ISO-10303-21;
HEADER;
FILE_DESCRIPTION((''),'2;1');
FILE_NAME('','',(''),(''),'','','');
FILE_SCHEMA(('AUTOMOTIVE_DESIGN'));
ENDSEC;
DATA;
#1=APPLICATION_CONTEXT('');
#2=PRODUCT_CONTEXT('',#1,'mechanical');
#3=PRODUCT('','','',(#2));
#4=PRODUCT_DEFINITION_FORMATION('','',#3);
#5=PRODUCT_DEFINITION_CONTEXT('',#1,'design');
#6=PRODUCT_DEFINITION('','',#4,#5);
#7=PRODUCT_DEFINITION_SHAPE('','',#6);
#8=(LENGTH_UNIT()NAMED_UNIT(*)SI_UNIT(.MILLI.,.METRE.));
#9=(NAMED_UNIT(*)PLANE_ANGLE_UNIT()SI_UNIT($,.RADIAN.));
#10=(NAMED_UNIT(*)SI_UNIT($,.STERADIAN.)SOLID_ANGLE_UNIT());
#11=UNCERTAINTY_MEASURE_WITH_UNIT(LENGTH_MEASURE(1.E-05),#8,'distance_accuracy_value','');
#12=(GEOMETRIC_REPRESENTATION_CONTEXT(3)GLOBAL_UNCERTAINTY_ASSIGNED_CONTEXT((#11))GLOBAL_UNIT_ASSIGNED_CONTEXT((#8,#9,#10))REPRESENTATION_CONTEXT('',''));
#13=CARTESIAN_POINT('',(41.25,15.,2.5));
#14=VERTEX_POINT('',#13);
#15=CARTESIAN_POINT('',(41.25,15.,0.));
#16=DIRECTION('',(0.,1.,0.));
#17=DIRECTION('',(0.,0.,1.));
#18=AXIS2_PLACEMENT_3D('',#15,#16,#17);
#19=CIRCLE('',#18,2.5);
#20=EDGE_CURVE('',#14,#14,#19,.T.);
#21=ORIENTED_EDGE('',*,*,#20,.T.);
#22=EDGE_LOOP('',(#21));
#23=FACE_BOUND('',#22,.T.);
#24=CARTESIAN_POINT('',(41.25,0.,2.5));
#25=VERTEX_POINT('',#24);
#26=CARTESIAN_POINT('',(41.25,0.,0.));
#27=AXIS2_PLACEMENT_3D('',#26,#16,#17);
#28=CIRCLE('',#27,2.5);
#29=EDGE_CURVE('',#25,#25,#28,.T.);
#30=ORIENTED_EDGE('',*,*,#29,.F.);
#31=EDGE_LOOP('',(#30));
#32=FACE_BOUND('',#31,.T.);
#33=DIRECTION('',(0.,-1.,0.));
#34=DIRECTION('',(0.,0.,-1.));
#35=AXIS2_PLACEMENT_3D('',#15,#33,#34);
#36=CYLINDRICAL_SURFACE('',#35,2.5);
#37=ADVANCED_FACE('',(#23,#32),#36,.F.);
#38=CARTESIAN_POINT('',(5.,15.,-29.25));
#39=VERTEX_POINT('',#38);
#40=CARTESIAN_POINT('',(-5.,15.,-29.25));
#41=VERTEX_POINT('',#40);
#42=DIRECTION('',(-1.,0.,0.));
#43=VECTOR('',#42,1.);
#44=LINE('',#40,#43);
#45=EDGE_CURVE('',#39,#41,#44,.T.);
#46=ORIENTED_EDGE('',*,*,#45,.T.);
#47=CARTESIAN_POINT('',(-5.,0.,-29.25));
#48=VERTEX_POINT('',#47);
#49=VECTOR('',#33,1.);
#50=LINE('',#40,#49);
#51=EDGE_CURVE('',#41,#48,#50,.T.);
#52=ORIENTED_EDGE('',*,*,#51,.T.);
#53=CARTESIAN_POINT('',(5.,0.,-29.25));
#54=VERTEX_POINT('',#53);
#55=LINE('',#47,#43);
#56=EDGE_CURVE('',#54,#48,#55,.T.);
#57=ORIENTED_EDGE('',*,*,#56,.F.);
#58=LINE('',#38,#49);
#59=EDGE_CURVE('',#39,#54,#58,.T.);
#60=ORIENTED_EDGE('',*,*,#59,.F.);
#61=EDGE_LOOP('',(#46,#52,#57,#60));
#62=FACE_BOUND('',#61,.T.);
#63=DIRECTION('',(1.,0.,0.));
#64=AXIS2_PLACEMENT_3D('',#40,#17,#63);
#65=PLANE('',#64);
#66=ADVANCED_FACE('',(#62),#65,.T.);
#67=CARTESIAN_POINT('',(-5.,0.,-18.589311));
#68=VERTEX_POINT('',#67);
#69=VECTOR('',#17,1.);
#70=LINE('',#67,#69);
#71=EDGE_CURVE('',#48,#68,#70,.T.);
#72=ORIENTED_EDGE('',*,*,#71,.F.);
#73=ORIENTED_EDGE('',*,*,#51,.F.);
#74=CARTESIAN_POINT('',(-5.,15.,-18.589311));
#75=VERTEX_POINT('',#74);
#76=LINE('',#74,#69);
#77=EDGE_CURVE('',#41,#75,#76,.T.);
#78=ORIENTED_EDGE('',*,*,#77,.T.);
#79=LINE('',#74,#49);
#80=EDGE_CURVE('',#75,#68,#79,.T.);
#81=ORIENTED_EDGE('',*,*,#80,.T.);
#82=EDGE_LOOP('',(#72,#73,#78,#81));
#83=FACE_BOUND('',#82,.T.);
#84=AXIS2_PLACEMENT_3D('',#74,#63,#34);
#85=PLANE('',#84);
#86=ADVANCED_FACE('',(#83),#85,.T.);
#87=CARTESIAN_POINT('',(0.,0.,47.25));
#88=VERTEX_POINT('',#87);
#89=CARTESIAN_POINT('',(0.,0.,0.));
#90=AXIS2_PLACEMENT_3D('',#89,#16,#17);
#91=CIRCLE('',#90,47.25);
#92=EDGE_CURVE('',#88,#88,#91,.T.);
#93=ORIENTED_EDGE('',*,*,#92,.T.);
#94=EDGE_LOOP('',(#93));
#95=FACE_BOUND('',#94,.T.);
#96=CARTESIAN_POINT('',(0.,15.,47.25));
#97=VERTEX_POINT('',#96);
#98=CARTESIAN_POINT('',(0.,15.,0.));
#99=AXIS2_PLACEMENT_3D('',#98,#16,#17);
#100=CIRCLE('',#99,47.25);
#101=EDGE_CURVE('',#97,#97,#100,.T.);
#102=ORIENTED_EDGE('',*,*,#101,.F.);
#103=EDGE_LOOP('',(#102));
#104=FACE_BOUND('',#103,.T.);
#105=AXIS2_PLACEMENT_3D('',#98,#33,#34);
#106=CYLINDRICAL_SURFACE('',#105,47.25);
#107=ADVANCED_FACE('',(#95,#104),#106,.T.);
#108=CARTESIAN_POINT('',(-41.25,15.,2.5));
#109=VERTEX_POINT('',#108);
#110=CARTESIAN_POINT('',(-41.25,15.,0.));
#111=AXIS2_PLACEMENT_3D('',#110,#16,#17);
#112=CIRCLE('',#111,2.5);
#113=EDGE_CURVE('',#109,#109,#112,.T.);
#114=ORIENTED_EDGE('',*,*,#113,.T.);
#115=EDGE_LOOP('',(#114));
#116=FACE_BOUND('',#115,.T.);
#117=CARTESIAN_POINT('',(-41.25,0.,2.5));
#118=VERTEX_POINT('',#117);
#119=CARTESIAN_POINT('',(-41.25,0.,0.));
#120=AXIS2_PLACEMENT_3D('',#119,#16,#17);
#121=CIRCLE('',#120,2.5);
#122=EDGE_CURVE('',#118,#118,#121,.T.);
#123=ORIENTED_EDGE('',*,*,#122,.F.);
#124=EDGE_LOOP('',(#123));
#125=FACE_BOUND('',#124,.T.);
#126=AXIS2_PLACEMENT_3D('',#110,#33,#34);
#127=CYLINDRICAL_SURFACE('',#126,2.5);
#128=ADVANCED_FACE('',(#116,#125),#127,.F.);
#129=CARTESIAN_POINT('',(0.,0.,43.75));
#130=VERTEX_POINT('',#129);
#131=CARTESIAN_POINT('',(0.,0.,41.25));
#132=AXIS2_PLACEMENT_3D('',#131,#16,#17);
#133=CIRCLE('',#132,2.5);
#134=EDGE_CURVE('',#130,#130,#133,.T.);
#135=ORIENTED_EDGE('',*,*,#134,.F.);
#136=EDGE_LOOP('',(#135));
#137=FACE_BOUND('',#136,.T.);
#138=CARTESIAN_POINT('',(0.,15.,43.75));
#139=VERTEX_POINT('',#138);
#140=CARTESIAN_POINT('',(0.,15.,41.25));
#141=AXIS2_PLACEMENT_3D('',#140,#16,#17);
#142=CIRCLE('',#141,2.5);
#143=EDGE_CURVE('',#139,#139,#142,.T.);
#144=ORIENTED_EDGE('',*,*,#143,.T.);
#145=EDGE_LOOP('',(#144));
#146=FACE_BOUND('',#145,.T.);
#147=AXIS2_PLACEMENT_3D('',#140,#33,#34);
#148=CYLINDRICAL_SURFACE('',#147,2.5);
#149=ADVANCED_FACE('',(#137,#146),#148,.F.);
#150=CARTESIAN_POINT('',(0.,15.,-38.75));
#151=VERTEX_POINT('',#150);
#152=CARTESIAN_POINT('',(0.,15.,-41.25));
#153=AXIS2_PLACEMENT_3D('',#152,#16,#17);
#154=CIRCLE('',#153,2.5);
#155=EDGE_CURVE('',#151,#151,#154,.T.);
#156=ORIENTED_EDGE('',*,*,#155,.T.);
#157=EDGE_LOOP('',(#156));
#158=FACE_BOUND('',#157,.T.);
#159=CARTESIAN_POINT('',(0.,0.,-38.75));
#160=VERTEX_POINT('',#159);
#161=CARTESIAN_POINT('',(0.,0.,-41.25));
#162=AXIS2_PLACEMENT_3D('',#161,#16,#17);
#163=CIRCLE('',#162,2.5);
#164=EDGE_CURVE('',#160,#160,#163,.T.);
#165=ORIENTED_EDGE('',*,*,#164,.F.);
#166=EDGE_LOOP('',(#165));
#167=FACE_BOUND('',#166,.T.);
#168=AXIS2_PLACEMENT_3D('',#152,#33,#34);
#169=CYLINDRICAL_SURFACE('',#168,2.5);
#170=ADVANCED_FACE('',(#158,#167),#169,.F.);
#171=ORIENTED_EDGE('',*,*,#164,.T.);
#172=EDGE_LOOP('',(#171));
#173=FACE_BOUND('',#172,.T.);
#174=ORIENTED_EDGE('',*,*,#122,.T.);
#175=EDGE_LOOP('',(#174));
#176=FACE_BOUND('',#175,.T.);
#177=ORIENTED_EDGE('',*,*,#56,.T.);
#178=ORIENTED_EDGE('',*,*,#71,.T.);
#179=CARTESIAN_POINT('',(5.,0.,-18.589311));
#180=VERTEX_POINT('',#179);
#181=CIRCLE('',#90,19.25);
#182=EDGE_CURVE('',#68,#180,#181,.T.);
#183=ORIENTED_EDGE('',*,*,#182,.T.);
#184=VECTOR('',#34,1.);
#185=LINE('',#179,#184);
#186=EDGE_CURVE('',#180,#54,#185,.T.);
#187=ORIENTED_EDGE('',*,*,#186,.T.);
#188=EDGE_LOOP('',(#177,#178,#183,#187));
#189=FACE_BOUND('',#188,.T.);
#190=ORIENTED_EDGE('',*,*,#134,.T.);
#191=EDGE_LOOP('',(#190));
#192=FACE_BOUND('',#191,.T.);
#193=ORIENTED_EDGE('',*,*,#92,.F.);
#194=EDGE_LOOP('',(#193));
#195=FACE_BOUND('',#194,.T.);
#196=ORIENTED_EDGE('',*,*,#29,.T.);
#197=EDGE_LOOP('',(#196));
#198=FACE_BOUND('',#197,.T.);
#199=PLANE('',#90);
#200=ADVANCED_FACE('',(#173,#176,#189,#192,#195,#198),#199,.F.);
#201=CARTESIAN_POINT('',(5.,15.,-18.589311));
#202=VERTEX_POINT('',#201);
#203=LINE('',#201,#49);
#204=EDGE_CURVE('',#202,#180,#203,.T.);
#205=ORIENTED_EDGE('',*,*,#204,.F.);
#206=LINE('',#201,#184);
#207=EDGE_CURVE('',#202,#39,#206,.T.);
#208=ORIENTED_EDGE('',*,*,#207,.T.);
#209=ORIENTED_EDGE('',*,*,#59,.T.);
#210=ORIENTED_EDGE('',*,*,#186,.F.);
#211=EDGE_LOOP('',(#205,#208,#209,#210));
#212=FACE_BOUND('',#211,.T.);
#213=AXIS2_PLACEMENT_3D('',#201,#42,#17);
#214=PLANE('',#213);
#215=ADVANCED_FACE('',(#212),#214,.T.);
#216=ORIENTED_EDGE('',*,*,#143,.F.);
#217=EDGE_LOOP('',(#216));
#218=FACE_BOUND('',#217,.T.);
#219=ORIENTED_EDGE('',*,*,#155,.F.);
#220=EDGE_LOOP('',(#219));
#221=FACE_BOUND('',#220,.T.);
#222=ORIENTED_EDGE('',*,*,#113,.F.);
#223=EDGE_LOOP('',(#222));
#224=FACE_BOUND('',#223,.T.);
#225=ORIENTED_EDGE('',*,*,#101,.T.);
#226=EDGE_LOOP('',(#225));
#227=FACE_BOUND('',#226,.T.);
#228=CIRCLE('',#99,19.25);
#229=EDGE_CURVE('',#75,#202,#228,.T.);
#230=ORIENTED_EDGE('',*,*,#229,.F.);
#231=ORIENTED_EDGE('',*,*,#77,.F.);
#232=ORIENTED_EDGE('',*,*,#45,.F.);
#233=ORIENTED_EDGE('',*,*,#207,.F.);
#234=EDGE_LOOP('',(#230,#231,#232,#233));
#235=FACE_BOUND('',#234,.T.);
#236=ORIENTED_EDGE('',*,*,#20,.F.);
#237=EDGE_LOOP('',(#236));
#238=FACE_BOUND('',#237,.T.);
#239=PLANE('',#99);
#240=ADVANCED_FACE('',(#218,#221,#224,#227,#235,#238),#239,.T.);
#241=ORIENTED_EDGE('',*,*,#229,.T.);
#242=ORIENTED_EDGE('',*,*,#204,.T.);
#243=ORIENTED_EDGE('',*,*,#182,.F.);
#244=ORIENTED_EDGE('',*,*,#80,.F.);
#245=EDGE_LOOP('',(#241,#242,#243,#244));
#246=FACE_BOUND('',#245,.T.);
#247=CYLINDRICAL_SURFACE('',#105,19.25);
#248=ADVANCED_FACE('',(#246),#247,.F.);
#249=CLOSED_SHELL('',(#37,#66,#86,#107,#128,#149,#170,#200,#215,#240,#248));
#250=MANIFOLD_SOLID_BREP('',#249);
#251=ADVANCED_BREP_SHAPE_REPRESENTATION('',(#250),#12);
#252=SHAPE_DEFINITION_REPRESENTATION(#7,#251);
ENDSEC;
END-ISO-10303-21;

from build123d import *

# Parameters (mm, degrees)
SKETCH1_R           = 47.25
SKETCH1_R_2         = 2.5
BOSS_EXTRUDE1_DEPTH = 15


with BuildPart() as part:
    # Sketch1 → Boss-Extrude1 (new body)
    with BuildSketch(Plane(origin=(0, 0, 0), x_dir=(1, 0, 0), z_dir=(0, 1, 0))):
        Circle(SKETCH1_R)
        with Locations((0, 41.25)):
            Circle(SKETCH1_R_2, mode=Mode.SUBTRACT)
        with Locations((41.25, 0)):
            Circle(SKETCH1_R_2, mode=Mode.SUBTRACT)
        with Locations((0, -41.25)):
            Circle(SKETCH1_R_2, mode=Mode.SUBTRACT)
        with Locations((-41.25, 0)):
            Circle(SKETCH1_R_2, mode=Mode.SUBTRACT)
        with BuildLine():
            Line((-5, 18.589311445), (-5, 29.25))
            Line((-5, 29.25), (5, 29.25))
            Line((5, 29.25), (5, 18.589311445))
            ThreePointArc((5, 18.589311445), (0, -19.25), (-5, 18.589311445))
        make_face(mode=Mode.SUBTRACT)
    extrude(amount=BOSS_EXTRUDE1_DEPTH)


solid = part.part
